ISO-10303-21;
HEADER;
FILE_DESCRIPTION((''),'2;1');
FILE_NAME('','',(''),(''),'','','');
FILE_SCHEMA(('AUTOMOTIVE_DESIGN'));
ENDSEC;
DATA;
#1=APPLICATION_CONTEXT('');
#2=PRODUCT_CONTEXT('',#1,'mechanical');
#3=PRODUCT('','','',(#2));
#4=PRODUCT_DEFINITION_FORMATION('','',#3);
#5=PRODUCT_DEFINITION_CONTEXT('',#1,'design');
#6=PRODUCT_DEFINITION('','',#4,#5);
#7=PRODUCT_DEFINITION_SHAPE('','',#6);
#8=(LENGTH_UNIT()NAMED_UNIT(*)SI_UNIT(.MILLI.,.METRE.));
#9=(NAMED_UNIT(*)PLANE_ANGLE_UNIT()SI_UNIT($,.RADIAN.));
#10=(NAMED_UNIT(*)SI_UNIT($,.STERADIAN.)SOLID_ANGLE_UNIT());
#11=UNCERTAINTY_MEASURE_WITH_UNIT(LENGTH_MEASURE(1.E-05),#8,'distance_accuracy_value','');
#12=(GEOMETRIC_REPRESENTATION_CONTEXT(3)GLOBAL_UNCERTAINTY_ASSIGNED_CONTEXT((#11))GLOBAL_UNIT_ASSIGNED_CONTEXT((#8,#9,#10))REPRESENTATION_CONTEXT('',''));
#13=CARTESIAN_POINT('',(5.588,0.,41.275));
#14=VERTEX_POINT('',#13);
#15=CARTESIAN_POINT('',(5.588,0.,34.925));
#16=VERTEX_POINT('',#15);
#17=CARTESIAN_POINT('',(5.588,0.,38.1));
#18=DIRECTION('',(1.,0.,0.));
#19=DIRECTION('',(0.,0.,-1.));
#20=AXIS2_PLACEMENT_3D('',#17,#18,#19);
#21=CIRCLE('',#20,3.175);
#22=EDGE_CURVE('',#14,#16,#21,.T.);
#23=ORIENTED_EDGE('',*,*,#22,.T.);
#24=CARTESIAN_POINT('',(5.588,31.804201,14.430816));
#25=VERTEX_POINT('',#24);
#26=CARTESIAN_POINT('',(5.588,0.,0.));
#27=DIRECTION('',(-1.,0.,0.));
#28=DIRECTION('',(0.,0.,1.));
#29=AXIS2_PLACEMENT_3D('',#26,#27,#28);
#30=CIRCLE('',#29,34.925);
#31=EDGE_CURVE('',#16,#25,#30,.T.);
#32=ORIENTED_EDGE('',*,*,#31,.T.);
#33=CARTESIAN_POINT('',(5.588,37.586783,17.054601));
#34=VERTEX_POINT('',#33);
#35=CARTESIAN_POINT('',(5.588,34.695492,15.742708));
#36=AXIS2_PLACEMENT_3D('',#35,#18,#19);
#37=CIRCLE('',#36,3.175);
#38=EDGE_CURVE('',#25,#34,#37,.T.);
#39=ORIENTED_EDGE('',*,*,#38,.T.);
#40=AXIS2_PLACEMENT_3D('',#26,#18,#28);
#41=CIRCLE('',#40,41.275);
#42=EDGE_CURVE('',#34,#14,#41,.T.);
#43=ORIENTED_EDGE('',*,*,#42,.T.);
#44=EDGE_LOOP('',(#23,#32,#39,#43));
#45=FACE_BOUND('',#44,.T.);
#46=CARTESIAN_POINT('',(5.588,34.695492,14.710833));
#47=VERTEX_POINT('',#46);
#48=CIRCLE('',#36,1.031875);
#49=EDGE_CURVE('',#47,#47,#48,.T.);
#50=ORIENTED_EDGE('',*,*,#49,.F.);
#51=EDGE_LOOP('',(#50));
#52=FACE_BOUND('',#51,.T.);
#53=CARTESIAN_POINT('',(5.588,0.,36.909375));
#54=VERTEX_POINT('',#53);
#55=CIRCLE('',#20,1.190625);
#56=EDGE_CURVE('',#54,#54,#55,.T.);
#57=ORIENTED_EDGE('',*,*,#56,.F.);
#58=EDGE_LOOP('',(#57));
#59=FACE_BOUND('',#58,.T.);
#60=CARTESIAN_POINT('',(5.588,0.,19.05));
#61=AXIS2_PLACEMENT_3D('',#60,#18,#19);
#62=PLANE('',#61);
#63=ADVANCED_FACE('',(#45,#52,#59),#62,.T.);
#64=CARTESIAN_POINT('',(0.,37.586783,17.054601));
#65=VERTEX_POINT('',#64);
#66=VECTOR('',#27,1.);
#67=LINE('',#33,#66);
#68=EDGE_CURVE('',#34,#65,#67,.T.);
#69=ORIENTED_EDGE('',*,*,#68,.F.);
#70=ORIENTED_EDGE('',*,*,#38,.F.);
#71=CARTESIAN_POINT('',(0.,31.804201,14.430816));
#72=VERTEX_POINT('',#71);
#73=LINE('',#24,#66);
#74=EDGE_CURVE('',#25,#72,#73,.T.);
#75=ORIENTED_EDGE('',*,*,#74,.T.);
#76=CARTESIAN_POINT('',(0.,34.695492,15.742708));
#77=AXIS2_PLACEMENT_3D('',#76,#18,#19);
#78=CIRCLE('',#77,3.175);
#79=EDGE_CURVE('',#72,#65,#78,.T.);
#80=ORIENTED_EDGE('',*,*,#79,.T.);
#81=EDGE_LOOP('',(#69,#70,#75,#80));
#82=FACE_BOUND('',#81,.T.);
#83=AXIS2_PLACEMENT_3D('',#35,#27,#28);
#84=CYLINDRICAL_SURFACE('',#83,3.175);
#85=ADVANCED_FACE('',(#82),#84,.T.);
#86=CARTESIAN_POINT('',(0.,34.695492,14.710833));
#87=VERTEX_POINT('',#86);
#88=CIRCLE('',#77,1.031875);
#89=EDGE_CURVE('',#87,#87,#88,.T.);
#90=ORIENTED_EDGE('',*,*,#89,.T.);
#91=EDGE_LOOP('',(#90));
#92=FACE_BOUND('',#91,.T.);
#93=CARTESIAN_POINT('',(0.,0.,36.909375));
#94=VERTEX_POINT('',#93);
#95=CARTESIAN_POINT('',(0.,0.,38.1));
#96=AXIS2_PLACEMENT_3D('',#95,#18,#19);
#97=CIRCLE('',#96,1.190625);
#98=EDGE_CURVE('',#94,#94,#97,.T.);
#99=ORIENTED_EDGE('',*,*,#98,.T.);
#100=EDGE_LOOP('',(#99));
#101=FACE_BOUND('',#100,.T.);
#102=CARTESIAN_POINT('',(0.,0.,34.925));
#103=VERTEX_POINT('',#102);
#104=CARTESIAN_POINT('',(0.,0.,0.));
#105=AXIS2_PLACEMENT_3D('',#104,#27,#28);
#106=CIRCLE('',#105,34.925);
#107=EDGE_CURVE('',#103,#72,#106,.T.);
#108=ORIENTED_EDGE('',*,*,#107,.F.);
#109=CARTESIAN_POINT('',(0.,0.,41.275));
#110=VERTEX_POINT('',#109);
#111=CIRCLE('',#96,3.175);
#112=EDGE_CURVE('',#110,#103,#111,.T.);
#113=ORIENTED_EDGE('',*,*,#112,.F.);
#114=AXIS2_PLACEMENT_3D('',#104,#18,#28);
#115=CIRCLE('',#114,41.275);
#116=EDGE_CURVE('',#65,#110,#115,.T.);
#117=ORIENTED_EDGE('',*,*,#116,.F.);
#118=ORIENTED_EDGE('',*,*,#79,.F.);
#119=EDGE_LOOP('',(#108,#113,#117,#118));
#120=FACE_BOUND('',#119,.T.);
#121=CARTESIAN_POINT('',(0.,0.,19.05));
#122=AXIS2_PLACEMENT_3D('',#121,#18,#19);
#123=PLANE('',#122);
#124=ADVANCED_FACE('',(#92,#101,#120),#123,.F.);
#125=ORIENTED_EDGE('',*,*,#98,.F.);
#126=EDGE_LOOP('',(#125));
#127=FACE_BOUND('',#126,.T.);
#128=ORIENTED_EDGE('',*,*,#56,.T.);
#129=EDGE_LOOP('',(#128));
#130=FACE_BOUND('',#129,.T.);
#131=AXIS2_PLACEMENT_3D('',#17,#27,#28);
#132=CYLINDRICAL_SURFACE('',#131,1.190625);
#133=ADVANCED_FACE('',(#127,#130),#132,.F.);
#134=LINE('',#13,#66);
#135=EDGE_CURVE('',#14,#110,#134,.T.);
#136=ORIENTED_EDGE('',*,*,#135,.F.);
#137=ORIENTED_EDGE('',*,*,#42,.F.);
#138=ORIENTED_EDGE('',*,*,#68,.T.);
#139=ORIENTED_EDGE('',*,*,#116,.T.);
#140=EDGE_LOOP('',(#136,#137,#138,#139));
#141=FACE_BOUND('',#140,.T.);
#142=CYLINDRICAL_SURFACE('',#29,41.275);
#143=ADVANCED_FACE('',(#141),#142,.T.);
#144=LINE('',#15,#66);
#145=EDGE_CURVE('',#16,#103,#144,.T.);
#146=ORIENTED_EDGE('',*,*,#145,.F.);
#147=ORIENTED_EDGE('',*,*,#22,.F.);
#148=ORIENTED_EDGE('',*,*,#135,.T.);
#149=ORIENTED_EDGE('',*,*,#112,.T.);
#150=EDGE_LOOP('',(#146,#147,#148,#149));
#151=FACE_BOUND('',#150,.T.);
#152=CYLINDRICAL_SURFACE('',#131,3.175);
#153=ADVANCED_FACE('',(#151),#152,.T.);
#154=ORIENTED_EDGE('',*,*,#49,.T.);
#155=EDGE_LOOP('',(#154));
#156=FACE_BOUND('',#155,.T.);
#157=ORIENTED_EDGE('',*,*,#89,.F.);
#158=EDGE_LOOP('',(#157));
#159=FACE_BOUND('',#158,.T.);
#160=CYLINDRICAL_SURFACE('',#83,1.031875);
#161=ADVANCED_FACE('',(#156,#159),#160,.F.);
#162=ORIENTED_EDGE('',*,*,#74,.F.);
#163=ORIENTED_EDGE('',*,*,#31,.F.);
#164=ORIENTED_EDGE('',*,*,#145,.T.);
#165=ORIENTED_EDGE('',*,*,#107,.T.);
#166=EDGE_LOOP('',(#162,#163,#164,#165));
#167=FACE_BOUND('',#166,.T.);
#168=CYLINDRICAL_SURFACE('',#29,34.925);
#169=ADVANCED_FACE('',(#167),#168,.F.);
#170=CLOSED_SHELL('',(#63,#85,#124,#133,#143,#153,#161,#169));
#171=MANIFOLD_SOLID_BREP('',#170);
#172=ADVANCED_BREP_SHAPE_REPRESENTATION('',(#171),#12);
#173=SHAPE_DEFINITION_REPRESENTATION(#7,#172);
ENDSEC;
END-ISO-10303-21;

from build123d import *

# Parameters (mm, degrees)
ESQUISSE1_R        = 1.190625
ESQUISSE1_R_2      = 1.031875
BOSS_EXTRU_1_DEPTH = 5.588


with BuildPart() as part:
    # Esquisse1 → Boss.-Extru.1 (new body)
    with BuildSketch(Plane(origin=(0, 0, 0), x_dir=(0, 0, -1), z_dir=(1, 0, 0))):
        with BuildLine():
            ThreePointArc((-34.925, 0), (-29.357723625, 18.917708333), (-14.430815972, 31.804200593))
            ThreePointArc((-14.430815972, 31.804200593), (-12.85141737, 36.007383917), (-17.054600694, 37.586782519))
            ThreePointArc((-17.054600694, 37.586782519), (-34.695491556, 22.357291667), (-41.275, 0))
            ThreePointArc((-41.275, 0), (-38.1, -3.175), (-34.925, 0))
        make_face()
        with Locations((-38.1, 0)):
            Circle(ESQUISSE1_R, mode=Mode.SUBTRACT)
        with Locations((-15.742708333, 34.695491556)):
            Circle(ESQUISSE1_R_2, mode=Mode.SUBTRACT)
    extrude(amount=BOSS_EXTRU_1_DEPTH)


solid = part.part
